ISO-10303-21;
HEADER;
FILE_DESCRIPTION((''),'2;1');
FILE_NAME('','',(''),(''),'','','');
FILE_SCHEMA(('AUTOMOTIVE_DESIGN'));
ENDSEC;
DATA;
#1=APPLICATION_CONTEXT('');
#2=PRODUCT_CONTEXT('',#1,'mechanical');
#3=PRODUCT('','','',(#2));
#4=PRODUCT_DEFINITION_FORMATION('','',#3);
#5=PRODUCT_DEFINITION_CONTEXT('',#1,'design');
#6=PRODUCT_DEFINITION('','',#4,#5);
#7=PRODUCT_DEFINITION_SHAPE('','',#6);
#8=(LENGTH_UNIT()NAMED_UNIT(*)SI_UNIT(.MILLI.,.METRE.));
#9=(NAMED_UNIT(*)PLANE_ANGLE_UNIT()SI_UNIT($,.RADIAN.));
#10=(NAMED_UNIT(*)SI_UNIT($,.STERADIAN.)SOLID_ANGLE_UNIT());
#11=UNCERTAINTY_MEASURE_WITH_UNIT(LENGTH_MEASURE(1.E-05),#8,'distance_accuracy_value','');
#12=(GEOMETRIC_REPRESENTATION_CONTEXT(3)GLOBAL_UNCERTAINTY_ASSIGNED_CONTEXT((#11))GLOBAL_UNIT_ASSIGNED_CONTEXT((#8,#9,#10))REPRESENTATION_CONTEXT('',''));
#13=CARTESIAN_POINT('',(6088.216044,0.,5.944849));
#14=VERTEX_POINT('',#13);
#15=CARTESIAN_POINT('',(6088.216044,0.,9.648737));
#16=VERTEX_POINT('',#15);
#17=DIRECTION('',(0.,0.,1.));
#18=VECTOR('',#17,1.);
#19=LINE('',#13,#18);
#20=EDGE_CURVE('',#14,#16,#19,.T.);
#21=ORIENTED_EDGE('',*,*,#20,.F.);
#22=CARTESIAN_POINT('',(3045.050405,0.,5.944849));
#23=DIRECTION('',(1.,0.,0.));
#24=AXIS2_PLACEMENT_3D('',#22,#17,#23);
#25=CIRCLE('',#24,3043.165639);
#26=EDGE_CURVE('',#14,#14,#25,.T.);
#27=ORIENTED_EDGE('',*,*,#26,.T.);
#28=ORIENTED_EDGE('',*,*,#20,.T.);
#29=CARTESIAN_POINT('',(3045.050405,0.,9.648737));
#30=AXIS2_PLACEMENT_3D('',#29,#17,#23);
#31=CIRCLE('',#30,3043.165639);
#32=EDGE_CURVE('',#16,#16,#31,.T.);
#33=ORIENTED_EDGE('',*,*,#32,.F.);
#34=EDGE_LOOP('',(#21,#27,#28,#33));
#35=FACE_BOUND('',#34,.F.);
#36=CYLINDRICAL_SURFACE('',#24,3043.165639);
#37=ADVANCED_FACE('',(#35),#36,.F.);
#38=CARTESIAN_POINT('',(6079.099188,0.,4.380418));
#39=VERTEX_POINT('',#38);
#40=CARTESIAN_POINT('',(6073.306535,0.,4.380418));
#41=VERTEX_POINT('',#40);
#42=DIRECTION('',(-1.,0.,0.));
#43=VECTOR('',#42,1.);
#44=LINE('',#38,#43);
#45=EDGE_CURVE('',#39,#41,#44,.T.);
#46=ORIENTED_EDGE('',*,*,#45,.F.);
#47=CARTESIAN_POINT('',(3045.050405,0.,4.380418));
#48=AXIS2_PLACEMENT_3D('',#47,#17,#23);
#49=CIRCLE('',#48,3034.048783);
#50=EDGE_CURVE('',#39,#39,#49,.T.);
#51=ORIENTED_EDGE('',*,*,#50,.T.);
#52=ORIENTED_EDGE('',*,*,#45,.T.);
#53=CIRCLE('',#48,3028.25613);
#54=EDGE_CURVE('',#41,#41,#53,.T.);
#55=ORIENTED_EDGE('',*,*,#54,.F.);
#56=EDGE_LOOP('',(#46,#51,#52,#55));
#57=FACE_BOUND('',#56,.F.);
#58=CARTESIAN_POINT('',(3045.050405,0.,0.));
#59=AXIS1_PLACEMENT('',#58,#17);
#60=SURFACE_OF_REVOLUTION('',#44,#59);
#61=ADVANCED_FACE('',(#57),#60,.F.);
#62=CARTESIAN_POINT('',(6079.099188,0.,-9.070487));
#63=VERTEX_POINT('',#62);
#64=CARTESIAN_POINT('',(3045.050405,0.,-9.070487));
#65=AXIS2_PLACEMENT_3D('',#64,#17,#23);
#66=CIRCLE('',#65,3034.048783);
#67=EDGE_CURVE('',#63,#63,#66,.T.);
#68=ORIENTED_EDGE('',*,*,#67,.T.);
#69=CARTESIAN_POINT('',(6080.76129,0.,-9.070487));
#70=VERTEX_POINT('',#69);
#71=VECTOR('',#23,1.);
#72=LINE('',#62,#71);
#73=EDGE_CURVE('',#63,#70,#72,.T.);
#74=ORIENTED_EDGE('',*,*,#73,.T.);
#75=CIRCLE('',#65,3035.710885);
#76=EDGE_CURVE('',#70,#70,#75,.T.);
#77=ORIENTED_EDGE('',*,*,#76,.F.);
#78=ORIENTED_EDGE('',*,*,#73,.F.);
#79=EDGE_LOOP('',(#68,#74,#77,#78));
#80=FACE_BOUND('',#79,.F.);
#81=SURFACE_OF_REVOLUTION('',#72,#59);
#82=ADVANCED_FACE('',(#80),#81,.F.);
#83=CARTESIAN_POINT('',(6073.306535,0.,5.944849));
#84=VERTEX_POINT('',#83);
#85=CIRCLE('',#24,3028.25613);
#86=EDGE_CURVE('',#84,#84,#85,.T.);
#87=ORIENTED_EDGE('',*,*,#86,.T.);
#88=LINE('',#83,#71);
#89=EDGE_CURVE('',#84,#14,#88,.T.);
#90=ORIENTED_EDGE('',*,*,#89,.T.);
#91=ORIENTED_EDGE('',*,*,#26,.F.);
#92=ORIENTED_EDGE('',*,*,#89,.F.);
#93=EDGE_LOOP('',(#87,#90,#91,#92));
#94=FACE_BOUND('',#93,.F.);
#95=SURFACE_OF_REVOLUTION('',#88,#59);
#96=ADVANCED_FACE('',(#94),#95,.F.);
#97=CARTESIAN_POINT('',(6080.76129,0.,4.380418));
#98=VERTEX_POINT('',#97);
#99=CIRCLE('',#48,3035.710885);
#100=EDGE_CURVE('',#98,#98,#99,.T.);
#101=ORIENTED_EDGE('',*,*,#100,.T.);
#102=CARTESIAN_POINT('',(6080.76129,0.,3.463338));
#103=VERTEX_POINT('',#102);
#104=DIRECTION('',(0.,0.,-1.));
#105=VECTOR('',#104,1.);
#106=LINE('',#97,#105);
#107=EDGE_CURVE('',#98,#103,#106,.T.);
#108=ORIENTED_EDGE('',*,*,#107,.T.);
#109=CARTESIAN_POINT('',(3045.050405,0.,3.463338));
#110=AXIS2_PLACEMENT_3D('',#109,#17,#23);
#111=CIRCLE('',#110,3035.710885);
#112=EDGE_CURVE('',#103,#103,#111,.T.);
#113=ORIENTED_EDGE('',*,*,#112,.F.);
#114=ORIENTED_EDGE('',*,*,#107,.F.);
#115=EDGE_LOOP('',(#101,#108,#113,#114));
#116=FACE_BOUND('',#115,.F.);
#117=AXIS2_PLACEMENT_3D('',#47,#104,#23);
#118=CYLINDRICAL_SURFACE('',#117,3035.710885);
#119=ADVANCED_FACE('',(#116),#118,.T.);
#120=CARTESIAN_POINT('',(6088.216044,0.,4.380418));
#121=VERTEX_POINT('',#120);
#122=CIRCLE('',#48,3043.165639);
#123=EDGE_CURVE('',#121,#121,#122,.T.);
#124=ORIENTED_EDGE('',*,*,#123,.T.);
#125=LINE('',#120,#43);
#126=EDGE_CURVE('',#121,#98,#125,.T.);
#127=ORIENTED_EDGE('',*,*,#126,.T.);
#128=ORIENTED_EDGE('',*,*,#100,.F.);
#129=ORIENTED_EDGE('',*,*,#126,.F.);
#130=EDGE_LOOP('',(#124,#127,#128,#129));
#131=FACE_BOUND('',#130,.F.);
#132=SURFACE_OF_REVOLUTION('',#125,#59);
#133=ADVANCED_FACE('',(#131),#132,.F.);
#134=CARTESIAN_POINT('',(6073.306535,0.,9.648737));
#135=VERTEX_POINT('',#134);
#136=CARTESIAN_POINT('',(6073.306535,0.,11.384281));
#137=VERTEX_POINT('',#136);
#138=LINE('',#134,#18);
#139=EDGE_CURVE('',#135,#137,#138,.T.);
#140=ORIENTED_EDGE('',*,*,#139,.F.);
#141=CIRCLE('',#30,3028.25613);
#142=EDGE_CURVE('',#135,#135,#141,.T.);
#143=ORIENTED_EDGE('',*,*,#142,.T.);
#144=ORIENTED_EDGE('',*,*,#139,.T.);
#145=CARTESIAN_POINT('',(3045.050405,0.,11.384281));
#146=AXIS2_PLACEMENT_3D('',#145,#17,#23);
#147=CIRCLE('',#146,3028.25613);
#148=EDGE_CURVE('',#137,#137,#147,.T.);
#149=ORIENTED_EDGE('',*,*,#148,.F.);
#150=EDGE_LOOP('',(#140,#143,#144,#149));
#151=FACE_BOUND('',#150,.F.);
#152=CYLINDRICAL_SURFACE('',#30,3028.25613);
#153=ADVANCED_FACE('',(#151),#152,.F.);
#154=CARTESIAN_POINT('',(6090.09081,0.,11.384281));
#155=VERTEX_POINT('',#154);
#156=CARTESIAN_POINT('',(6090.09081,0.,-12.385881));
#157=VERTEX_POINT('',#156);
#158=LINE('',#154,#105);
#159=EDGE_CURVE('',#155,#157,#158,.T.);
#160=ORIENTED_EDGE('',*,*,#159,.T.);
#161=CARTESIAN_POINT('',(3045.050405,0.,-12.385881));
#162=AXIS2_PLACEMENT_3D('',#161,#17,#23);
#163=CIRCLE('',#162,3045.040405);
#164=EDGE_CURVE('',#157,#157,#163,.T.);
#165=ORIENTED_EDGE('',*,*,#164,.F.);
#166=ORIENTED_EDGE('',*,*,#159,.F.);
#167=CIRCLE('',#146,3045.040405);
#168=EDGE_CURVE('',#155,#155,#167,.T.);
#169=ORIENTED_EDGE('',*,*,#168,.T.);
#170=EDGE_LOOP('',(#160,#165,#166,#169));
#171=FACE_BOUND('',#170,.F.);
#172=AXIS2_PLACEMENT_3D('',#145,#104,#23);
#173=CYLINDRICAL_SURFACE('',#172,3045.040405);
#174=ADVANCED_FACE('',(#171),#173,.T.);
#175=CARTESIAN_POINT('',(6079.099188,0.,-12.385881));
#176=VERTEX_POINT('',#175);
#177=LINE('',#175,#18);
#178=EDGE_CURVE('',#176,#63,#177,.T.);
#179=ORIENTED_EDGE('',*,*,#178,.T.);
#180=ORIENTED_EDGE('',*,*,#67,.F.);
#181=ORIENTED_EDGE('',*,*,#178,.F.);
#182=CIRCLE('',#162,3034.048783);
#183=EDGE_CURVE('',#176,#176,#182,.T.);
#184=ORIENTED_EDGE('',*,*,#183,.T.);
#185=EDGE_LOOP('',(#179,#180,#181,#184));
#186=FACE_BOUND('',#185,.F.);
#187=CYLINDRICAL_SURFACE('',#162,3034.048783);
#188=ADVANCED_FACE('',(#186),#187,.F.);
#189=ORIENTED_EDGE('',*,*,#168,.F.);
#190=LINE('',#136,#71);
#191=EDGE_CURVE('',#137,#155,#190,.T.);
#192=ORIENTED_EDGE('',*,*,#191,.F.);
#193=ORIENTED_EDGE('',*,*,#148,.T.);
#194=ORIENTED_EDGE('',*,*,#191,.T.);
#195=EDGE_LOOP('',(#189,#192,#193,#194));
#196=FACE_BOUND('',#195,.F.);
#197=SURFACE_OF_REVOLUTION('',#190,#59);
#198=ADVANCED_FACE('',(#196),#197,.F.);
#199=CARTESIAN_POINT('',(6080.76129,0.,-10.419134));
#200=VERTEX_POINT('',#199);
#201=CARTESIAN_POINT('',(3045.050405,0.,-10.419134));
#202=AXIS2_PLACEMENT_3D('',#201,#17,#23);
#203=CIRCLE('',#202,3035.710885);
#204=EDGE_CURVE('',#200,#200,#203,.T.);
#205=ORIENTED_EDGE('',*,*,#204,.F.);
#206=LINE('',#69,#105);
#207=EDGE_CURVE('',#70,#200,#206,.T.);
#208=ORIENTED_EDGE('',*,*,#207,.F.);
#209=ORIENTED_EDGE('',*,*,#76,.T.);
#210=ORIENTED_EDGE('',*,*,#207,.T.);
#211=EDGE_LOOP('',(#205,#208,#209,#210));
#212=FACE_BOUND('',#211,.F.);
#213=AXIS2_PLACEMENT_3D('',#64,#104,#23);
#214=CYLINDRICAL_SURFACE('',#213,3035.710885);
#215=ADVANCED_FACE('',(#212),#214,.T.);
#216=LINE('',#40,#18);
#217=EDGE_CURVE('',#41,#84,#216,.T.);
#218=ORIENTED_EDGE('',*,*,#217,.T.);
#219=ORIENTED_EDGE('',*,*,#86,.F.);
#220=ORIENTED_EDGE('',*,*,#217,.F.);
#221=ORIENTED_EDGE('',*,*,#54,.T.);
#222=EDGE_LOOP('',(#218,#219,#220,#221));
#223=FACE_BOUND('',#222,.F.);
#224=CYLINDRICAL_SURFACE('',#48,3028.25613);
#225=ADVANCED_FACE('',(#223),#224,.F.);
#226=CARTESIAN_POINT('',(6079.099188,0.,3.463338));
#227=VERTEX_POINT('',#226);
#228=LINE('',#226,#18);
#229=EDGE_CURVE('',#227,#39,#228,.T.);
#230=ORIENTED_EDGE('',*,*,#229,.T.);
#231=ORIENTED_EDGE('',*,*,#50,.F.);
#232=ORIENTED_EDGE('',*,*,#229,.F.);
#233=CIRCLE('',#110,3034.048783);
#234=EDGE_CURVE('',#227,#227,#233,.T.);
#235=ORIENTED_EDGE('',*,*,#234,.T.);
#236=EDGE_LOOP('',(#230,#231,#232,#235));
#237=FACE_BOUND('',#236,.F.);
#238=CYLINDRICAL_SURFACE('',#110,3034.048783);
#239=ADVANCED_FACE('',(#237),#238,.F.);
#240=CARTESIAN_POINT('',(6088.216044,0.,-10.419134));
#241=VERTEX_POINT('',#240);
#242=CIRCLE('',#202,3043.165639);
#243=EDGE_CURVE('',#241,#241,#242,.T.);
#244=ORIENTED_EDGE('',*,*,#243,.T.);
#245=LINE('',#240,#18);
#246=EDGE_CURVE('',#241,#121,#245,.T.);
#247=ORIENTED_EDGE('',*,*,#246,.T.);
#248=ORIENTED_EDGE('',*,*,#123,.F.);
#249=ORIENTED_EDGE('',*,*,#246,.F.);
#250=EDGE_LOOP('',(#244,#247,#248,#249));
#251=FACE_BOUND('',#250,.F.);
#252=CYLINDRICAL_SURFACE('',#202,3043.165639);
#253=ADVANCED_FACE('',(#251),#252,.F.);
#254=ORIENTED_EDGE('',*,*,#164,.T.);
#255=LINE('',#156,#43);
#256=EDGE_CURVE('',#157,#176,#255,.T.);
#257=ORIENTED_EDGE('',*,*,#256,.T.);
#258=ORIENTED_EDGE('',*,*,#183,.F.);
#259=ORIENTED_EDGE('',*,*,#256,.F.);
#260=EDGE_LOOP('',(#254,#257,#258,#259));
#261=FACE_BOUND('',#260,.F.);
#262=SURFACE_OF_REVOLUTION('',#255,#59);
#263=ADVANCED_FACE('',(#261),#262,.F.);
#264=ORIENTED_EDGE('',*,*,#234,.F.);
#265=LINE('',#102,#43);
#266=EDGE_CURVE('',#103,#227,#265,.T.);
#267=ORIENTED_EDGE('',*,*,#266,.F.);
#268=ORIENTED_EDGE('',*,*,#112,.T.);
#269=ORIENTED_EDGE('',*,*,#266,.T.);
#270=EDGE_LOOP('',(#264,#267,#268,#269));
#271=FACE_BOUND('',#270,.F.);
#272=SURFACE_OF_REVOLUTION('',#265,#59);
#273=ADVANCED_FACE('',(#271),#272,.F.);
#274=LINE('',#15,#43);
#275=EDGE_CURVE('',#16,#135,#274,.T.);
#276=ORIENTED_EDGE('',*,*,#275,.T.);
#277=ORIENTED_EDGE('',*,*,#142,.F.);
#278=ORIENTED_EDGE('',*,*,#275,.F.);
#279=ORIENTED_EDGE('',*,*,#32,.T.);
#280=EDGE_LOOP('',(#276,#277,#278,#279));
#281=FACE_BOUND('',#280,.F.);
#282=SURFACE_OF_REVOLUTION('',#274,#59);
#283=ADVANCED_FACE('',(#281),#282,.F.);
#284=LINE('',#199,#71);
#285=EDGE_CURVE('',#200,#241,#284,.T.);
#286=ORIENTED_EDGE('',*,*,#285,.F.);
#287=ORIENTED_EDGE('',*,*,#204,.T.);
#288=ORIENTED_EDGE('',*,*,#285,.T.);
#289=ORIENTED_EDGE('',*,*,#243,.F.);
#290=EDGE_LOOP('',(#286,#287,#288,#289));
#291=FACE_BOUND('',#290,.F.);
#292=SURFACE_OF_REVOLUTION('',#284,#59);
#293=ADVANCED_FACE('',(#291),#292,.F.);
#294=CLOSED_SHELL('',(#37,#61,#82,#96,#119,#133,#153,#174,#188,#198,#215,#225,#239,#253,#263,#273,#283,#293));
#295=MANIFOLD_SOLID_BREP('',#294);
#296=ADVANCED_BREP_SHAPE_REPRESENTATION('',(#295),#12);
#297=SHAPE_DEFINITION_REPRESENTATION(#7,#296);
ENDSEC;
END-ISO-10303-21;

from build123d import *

# Parameters (mm, degrees)
F3_W     = 1225
F3_H     = 85.465123
F4_DEPTH = 2400


with BuildPart() as f2:
    # F2: sweep along a path in F1
    with BuildLine(Plane.XY) as f2_path:
        CenterArc((3045.050405, 0), 3045, 0, 360)
    # F0 (on Front) → F2 (sweep)
    with BuildSketch(Plane.XZ):
        Polygon((16.794275, 11.384281), (0.01, 11.384281), (0.01, -12.385881), (11.001622, -12.385881), (11.001622, -10.419134), (11.001622, -9.070487), (9.33952, -9.070487), (9.33952, -10.419134), (1.884766, -10.419134), (1.884766, 4.380418), (9.33952, 4.380418), (9.33952, 3.463338), (11.001622, 3.463338), (11.001622, 4.380418), (16.794275, 4.380418), (16.794275, 5.944849), (1.884766, 5.944849), (1.884766, 7.544847), (1.884766, 9.648737), (16.794275, 9.648737), align=None)
    sweep(path=f2_path.line)

    # F3 (on Front) → F4 (cut)
    with BuildSketch(Plane.XZ):
        with Locations((2287.675023, -4.19138)):
            Rectangle(F3_W, F3_H)
    extrude(amount=F4_DEPTH, mode=Mode.SUBTRACT)


solid = f2.part
